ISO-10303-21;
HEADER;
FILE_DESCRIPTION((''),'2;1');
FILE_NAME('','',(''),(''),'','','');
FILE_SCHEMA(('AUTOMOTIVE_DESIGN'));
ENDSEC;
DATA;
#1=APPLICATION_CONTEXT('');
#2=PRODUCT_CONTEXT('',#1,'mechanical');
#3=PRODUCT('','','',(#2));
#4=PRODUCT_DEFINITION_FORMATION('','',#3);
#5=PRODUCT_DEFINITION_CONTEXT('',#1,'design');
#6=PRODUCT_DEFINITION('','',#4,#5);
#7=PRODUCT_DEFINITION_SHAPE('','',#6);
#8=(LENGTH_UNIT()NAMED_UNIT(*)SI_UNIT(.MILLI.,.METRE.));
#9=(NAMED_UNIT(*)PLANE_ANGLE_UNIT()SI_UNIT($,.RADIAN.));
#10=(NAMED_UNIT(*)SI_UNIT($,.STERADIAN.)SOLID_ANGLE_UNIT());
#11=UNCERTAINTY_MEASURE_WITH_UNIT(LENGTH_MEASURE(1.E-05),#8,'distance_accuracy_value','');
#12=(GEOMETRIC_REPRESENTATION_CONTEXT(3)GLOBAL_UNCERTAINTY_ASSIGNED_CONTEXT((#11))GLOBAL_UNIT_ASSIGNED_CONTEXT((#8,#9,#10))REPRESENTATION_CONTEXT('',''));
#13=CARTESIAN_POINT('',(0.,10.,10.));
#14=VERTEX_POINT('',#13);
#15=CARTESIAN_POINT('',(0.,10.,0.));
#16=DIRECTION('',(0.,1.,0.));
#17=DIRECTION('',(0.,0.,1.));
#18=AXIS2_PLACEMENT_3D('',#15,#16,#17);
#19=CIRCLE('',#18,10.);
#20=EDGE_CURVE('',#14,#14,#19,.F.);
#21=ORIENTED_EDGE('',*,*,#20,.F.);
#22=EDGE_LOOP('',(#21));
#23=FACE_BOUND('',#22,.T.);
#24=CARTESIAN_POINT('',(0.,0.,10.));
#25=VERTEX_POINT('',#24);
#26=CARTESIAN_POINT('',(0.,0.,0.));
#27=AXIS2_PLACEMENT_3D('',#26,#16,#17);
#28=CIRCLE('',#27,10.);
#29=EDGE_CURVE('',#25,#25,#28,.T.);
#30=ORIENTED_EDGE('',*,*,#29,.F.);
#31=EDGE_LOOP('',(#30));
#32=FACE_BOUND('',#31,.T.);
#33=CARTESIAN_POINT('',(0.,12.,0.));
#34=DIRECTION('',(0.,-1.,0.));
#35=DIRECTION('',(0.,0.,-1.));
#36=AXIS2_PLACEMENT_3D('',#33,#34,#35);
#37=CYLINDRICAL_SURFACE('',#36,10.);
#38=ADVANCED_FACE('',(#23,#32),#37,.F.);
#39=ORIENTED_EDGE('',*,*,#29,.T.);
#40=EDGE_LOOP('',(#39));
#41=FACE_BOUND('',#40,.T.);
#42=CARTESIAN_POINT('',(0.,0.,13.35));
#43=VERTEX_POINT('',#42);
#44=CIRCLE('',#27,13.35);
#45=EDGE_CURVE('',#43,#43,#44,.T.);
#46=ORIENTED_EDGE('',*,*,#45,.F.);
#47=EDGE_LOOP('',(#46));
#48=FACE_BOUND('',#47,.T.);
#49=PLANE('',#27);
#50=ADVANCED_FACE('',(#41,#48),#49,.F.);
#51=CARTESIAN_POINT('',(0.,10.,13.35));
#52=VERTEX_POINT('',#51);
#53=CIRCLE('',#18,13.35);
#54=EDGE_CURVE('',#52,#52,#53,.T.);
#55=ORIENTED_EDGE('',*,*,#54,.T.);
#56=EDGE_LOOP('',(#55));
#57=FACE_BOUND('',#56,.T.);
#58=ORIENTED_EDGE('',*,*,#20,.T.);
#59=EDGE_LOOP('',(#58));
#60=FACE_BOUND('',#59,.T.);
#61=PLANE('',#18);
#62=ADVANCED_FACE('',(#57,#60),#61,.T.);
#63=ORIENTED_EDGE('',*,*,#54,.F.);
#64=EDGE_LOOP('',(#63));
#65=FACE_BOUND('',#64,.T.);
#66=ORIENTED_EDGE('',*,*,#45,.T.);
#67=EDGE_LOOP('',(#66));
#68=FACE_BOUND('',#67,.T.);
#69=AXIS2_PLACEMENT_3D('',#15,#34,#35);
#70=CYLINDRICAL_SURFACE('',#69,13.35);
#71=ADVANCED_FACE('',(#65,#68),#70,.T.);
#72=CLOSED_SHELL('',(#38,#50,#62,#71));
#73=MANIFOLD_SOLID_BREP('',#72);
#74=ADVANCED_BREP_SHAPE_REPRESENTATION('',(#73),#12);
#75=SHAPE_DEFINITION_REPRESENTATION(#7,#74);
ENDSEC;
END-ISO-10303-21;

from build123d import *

# Parameters (mm, degrees)
CROQUIS1_R              = 13.35
SALIENTE_EXTRUIR3_DEPTH = 10
CROQUIS4_R              = 10
CORTAR_EXTRUIR1_DEPTH   = 12


with BuildPart() as part:
    # Croquis1 → Saliente-Extruir3 (new body)
    with BuildSketch(Plane(origin=(0, 0, 0), x_dir=(1, 0, 0), z_dir=(0, 1, 0))):
        with Locations(Location((0, 0, 0), (0, 0, 270))):
            Circle(CROQUIS1_R)
    extrude(amount=SALIENTE_EXTRUIR3_DEPTH)

    # Croquis4 → Cortar-Extruir1 (cut)
    with BuildSketch(Plane(origin=(0, 0, 0), x_dir=(1, 0, 0), z_dir=(0, 1, 0))):
        with Locations(Location((0, 0, 0), (0, 0, 270))):
            Circle(CROQUIS4_R)
    extrude(amount=CORTAR_EXTRUIR1_DEPTH, mode=Mode.SUBTRACT)


solid = part.part
